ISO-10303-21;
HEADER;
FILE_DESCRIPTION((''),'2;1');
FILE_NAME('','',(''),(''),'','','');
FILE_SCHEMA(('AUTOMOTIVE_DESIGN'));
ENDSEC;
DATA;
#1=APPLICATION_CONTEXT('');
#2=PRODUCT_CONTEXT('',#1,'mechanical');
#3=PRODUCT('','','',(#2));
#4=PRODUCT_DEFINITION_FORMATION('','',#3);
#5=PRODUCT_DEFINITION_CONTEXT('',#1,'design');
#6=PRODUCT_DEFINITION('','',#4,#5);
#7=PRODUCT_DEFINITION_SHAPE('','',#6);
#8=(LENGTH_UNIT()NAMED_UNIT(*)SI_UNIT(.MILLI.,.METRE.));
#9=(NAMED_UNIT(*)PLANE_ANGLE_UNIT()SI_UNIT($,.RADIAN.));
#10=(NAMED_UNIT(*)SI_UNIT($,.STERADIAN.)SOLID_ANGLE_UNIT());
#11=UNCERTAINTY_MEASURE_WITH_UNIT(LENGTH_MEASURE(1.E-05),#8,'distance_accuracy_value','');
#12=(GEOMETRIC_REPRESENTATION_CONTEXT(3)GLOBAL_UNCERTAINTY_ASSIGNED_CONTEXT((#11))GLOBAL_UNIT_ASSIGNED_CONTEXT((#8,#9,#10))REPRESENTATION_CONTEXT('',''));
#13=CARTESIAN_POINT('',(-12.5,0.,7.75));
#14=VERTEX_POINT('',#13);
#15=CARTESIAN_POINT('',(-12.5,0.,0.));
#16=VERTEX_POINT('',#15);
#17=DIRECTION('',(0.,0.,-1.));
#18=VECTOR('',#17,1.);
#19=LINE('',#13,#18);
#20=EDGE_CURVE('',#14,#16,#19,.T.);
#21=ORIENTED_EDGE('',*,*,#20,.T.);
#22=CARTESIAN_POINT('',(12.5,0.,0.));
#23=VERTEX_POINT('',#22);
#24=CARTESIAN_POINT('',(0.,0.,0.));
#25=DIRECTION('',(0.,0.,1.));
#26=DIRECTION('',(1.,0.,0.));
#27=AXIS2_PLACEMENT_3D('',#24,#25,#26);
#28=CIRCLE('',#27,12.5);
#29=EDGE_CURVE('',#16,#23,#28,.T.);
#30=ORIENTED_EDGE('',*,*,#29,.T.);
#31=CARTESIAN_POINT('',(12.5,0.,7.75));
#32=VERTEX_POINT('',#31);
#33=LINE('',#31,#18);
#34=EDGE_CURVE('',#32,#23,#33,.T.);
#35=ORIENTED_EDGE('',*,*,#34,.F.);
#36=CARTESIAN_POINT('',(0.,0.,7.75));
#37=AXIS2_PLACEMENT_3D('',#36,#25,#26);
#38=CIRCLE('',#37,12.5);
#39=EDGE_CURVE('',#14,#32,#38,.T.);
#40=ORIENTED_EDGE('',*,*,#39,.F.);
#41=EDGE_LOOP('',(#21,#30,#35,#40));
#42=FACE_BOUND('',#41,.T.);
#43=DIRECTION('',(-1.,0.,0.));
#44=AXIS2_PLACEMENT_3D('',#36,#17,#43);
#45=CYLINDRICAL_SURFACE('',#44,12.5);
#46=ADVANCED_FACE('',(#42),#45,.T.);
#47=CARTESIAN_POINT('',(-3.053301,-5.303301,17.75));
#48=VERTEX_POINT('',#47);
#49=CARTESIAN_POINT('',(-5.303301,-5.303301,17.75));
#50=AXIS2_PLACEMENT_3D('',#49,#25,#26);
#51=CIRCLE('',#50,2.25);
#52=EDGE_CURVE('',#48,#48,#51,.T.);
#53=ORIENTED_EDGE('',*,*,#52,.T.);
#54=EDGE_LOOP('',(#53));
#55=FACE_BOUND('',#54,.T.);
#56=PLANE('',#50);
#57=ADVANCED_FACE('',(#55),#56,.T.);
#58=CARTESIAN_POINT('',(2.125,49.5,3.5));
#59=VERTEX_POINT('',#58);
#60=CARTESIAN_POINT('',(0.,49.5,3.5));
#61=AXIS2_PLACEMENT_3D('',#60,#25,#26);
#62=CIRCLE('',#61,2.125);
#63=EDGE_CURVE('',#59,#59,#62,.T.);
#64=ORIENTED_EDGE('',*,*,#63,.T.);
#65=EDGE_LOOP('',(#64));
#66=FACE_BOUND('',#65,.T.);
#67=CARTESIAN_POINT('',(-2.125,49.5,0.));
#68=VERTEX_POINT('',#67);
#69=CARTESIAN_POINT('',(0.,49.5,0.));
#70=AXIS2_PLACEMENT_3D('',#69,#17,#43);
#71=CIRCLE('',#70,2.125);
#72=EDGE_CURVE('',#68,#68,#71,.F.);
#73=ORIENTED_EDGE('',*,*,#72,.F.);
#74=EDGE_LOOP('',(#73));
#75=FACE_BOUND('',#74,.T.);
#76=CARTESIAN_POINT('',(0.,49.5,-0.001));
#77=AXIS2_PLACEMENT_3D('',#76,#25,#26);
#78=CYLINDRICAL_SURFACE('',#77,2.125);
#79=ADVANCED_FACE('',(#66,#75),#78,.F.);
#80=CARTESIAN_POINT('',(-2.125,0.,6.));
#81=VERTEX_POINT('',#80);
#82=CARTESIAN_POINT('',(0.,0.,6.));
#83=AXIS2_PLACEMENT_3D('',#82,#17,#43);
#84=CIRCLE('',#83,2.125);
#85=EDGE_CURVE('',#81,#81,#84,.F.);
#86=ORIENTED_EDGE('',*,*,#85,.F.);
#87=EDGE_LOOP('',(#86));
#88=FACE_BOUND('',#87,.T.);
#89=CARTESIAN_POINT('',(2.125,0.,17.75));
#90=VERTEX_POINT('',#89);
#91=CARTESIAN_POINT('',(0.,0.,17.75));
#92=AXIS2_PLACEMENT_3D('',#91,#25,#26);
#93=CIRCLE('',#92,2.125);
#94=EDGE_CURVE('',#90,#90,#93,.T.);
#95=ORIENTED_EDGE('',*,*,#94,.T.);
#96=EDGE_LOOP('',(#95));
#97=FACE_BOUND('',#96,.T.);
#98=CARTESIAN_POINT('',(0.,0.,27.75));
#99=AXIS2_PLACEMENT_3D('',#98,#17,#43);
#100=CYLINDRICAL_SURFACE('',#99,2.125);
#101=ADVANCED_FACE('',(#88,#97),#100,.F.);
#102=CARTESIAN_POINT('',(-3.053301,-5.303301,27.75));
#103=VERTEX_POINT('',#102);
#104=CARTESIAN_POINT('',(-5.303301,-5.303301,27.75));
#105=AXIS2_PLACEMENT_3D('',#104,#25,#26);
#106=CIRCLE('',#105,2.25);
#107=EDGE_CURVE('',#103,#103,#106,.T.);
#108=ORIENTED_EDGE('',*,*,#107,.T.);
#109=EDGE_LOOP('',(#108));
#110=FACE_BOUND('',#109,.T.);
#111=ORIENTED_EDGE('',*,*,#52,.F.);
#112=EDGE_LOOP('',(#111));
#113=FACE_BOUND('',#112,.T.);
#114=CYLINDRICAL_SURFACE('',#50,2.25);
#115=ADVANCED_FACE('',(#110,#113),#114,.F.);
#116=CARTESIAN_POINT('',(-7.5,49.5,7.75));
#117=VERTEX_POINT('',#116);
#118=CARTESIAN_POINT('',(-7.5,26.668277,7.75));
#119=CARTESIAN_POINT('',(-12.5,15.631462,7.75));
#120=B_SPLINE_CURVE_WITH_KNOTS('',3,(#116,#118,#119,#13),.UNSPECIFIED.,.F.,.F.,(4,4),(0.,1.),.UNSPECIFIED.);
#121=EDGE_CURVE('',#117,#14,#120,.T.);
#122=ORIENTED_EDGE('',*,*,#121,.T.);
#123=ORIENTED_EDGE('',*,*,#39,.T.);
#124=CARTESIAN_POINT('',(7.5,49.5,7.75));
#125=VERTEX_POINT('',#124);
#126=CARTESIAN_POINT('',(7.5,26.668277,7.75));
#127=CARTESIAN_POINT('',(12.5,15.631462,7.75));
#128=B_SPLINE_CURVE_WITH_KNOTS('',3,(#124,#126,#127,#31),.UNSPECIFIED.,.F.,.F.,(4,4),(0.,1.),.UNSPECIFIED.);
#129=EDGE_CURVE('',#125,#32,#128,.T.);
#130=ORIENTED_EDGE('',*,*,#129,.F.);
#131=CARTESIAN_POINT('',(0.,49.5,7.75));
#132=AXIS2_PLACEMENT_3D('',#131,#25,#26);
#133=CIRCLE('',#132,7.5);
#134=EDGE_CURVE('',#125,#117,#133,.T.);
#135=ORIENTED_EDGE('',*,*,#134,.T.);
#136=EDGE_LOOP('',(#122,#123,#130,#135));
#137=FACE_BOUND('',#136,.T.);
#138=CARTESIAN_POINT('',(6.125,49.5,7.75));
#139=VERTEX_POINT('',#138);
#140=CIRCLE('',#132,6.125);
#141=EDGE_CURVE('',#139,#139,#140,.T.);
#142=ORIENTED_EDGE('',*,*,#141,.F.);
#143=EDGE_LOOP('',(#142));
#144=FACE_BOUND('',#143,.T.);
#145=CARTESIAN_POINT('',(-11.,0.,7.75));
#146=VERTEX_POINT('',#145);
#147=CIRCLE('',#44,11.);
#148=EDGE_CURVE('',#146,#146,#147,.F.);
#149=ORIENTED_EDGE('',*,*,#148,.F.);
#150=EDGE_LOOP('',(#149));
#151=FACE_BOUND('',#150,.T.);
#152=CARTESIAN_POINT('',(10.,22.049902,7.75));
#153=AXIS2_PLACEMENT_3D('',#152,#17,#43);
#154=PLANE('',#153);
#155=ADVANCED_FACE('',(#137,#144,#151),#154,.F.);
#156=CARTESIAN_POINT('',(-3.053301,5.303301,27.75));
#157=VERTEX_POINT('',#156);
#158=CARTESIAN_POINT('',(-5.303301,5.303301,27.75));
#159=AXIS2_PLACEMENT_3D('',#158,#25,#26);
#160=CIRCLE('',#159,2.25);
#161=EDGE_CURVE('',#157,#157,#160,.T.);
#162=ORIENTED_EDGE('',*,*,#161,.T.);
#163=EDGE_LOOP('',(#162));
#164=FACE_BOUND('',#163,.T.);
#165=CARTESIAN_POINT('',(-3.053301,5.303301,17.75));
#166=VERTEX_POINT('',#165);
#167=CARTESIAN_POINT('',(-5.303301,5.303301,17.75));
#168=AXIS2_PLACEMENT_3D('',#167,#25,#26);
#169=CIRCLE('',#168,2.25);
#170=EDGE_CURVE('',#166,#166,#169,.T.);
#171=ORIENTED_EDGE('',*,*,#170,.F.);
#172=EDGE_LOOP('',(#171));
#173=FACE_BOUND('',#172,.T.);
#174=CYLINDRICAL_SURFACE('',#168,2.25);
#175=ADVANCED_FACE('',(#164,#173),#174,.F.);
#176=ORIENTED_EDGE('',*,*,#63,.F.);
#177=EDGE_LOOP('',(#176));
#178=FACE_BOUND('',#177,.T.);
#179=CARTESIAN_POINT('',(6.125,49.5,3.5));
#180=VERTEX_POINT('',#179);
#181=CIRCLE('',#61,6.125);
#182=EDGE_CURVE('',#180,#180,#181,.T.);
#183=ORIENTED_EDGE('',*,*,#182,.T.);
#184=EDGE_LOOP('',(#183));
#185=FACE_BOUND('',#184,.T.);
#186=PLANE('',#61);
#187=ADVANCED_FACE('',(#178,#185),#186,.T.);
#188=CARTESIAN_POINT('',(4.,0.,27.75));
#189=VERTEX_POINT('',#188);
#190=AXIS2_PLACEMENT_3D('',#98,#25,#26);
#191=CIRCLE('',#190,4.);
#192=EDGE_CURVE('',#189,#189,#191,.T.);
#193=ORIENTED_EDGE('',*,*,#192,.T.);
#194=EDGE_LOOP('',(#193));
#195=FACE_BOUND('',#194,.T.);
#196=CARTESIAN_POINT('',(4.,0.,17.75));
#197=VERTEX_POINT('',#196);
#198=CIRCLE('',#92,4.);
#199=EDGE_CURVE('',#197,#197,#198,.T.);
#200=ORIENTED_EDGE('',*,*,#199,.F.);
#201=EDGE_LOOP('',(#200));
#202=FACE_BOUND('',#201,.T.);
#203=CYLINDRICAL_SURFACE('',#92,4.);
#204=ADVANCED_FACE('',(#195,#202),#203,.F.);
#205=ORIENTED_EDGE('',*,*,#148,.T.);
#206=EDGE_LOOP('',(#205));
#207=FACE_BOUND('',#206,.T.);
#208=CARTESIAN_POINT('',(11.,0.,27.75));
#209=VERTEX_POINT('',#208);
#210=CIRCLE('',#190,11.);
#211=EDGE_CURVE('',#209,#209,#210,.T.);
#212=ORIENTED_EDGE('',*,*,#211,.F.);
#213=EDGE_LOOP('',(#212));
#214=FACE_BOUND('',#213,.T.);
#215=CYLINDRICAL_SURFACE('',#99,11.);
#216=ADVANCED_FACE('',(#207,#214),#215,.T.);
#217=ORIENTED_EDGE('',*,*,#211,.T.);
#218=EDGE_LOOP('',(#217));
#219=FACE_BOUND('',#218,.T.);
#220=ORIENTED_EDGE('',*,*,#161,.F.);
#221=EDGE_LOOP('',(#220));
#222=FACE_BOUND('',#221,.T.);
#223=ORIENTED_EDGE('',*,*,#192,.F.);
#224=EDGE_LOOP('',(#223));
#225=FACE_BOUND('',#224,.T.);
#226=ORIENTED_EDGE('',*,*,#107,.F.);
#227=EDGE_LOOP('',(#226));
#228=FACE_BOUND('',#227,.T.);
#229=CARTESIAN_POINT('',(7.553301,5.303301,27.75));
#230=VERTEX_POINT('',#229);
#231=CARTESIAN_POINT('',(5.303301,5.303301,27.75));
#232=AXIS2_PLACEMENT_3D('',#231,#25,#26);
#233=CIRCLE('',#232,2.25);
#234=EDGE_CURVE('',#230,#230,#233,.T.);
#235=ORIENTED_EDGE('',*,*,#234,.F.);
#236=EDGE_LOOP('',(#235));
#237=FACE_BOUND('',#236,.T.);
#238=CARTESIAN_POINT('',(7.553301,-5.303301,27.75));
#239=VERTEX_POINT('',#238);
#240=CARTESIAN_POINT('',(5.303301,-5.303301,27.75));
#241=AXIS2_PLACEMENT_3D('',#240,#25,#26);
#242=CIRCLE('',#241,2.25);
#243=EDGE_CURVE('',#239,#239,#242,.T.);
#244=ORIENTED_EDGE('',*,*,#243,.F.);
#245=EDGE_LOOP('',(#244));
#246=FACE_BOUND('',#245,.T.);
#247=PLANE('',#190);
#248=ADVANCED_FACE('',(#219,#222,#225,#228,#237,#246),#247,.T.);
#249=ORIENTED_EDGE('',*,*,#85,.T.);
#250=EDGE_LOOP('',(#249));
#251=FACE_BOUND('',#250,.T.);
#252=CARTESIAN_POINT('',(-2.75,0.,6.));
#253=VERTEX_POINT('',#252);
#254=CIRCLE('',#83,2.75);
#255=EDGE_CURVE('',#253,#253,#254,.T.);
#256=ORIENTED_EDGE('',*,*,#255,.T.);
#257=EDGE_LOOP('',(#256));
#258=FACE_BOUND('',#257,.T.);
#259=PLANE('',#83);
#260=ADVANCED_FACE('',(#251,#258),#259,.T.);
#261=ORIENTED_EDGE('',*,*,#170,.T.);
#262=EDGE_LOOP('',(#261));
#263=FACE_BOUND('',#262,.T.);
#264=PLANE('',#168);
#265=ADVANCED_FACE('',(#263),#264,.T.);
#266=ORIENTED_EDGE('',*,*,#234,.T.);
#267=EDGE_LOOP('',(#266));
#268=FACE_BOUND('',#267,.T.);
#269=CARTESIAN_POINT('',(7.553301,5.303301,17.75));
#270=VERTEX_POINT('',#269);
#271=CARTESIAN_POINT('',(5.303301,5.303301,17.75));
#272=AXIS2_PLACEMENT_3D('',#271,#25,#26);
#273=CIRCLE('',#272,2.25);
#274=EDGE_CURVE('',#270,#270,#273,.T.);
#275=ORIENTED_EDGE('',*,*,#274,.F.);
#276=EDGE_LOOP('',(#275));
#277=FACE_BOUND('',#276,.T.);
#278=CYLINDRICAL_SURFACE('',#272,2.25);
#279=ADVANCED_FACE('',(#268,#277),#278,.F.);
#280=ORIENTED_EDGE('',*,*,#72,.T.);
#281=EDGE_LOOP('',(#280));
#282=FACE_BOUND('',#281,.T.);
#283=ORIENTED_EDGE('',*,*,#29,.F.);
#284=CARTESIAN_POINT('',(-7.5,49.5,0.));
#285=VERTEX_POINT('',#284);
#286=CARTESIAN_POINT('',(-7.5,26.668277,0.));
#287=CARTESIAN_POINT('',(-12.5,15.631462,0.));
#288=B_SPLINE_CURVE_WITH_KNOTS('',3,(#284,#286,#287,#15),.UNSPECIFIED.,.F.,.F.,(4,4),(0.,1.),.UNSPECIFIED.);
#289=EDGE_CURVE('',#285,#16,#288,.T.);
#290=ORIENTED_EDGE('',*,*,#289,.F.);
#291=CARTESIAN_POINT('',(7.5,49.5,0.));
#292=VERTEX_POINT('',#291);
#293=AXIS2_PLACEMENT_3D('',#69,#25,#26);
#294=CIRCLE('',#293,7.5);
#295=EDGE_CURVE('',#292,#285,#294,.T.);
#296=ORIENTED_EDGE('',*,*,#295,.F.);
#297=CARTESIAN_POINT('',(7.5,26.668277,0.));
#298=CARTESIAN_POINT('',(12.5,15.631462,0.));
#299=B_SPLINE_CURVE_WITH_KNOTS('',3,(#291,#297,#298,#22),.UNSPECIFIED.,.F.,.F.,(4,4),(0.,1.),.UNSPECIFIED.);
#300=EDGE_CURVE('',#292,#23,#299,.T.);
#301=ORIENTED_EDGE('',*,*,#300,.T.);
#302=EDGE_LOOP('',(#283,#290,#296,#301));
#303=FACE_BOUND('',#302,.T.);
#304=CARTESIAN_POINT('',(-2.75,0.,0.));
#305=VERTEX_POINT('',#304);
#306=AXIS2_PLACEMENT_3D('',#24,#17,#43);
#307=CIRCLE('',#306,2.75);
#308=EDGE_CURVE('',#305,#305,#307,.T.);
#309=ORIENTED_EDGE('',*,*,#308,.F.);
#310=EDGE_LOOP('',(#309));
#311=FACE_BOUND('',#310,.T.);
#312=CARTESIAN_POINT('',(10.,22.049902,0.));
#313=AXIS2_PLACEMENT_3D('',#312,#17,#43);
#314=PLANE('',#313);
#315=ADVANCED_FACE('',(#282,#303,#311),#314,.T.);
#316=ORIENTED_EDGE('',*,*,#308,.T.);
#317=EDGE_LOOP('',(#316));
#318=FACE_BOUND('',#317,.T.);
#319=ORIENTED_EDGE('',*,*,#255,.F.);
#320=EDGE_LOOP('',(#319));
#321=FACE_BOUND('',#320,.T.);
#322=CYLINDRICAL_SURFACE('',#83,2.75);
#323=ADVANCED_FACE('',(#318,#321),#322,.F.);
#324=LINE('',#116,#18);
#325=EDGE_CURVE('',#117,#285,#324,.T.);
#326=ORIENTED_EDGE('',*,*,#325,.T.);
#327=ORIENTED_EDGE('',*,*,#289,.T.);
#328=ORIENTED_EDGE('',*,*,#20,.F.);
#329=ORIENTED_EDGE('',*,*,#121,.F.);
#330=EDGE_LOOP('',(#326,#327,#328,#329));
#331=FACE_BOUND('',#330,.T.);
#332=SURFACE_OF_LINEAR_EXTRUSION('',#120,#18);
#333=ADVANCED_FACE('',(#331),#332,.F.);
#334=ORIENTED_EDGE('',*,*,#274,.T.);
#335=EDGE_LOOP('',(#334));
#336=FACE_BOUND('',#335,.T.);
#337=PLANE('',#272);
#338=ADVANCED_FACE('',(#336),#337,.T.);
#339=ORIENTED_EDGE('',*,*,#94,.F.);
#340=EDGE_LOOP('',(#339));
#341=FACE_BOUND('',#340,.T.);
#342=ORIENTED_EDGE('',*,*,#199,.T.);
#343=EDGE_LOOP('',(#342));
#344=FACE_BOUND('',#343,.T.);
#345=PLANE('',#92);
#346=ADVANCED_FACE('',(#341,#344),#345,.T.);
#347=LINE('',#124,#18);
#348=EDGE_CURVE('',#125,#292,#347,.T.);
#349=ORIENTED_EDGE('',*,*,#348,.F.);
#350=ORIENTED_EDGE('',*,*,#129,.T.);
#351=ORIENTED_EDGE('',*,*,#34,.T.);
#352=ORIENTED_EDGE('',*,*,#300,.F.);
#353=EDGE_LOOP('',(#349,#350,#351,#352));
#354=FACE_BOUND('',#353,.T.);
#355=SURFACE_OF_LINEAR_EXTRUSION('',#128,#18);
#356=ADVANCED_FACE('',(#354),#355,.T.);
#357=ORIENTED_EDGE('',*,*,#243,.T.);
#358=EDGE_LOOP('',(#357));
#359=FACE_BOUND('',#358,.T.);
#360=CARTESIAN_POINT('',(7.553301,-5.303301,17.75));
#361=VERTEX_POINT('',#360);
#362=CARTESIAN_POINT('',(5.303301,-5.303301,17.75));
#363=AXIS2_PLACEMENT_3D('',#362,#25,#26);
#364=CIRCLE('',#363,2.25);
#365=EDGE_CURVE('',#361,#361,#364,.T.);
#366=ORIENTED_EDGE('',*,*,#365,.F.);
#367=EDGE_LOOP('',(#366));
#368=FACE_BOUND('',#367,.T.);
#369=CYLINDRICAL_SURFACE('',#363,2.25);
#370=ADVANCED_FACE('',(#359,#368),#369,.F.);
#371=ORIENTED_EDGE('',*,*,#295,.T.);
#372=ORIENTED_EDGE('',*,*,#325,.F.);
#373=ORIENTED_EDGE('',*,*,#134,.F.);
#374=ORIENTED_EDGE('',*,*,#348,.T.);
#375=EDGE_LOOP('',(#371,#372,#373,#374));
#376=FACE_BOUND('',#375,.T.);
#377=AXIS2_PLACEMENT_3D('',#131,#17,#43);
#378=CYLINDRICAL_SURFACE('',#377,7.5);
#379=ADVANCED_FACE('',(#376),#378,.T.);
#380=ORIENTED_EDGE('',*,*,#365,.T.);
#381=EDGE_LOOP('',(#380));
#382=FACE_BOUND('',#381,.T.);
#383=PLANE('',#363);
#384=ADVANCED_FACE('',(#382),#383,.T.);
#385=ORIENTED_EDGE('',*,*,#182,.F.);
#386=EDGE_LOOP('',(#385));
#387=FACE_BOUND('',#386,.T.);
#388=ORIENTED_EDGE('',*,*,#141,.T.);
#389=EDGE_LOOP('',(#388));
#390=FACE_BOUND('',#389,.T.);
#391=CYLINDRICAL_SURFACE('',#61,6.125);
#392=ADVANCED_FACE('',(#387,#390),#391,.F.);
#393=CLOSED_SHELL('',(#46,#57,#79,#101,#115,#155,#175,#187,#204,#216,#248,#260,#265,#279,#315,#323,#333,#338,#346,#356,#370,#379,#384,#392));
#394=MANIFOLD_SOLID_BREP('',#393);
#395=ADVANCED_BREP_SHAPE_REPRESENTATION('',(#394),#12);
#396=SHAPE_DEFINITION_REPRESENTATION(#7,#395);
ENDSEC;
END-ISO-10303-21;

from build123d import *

# Parameters (mm, degrees)
BOSS_EXTRUDE1_DEPTH = 7.75
SKETCH2_R           = 6.125
CUT_EXTRUDE1_DEPTH  = 4.25
CUT_EXTRUDE2_REACH  = 5.5
SKETCH3_R           = 2.125
SKETCH4_R           = 11
BOSS_EXTRUDE2_DEPTH = 20
SKETCH5_R           = 2.25
SKETCH5_R_2         = 4
CUT_EXTRUDE3_DEPTH  = 10
SKETCH6_R           = 2.125
CUT_EXTRUDE4_DEPTH  = 28.75
SKETCH10_R          = 2.75
CUT_EXTRUDE5_DEPTH  = 6


with BuildPart() as part:
    # Sketch1 → Boss-Extrude1 (new body)
    with BuildSketch(Plane.XY):
        with BuildLine():
            ThreePointArc((-12.5, 0), (0, -12.5), (12.5, 0))
            add(Edge.make_bspline(
                [(7.5, 49.5), (7.5, 26.668276539), (12.5, 15.631461909), (12.5, 0)],
                knots=[0, 0, 0, 0, 1, 1, 1, 1], degree=3))
            ThreePointArc((7.5, 49.5), (0, 57), (-7.5, 49.5))
            add(Edge.make_bspline(
                [(-7.5, 49.5), (-7.5, 26.668276539), (-12.5, 15.631461909), (-12.5, 0)],
                knots=[0, 0, 0, 0, 1, 1, 1, 1], degree=3))
        make_face()
    extrude(amount=BOSS_EXTRUDE1_DEPTH)

    # Sketch2 → Cut-Extrude1 (cut)
    with BuildSketch(Plane.XY.offset(7.75)):
        with Locations((0, 49.5)):
            Circle(SKETCH2_R)
    extrude(amount=-CUT_EXTRUDE1_DEPTH, mode=Mode.SUBTRACT)

    # Sketch3 → Cut-Extrude2 (cut, up to next)
    with BuildSketch(Plane.XY.offset(3.5), mode=Mode.PRIVATE) as cut_extrude2_sk1:
        with Locations((0, 49.5)):
            Circle(SKETCH3_R)
    cut_extrude2_tool1 = extrude(cut_extrude2_sk1.sketch, amount=-CUT_EXTRUDE2_REACH, mode=Mode.PRIVATE) & part.part
    add(cut_extrude2_tool1.solids().sort_by_distance((0, 49.5, 3.5))[0], mode=Mode.SUBTRACT)

    # Sketch4 → Boss-Extrude2 (add)
    with BuildSketch(Plane.XY.offset(7.75)):
        Circle(SKETCH4_R)
    extrude(amount=BOSS_EXTRUDE2_DEPTH)

    # Sketch5 → Cut-Extrude3 (cut)
    with BuildSketch(Plane.XY.offset(27.75)):
        with Locations((5.303300859, 5.303300859)):
            Circle(SKETCH5_R)
        with Locations((5.303300859, -5.303300859)):
            Circle(SKETCH5_R)
        with Locations((-5.303300859, -5.303300859)):
            Circle(SKETCH5_R)
        with Locations((-5.303300859, 5.303300859)):
            Circle(SKETCH5_R)
        Circle(SKETCH5_R_2)
    extrude(amount=-CUT_EXTRUDE3_DEPTH, mode=Mode.SUBTRACT)

    # Sketch6 → Cut-Extrude4 (cut, through all)
    with BuildSketch(Plane(origin=(0, 0, 0), x_dir=(-1, 0, 0), z_dir=(0, 0, -1))):
        Circle(SKETCH6_R)
    extrude(amount=-CUT_EXTRUDE4_DEPTH, mode=Mode.SUBTRACT)

    # Sketch10 → Cut-Extrude5 (cut)
    with BuildSketch(Plane(origin=(0, 0, 0), x_dir=(-1, 0, 0), z_dir=(0, 0, -1))):
        Circle(SKETCH10_R)
    extrude(amount=-CUT_EXTRUDE5_DEPTH, mode=Mode.SUBTRACT)


solid = part.part
